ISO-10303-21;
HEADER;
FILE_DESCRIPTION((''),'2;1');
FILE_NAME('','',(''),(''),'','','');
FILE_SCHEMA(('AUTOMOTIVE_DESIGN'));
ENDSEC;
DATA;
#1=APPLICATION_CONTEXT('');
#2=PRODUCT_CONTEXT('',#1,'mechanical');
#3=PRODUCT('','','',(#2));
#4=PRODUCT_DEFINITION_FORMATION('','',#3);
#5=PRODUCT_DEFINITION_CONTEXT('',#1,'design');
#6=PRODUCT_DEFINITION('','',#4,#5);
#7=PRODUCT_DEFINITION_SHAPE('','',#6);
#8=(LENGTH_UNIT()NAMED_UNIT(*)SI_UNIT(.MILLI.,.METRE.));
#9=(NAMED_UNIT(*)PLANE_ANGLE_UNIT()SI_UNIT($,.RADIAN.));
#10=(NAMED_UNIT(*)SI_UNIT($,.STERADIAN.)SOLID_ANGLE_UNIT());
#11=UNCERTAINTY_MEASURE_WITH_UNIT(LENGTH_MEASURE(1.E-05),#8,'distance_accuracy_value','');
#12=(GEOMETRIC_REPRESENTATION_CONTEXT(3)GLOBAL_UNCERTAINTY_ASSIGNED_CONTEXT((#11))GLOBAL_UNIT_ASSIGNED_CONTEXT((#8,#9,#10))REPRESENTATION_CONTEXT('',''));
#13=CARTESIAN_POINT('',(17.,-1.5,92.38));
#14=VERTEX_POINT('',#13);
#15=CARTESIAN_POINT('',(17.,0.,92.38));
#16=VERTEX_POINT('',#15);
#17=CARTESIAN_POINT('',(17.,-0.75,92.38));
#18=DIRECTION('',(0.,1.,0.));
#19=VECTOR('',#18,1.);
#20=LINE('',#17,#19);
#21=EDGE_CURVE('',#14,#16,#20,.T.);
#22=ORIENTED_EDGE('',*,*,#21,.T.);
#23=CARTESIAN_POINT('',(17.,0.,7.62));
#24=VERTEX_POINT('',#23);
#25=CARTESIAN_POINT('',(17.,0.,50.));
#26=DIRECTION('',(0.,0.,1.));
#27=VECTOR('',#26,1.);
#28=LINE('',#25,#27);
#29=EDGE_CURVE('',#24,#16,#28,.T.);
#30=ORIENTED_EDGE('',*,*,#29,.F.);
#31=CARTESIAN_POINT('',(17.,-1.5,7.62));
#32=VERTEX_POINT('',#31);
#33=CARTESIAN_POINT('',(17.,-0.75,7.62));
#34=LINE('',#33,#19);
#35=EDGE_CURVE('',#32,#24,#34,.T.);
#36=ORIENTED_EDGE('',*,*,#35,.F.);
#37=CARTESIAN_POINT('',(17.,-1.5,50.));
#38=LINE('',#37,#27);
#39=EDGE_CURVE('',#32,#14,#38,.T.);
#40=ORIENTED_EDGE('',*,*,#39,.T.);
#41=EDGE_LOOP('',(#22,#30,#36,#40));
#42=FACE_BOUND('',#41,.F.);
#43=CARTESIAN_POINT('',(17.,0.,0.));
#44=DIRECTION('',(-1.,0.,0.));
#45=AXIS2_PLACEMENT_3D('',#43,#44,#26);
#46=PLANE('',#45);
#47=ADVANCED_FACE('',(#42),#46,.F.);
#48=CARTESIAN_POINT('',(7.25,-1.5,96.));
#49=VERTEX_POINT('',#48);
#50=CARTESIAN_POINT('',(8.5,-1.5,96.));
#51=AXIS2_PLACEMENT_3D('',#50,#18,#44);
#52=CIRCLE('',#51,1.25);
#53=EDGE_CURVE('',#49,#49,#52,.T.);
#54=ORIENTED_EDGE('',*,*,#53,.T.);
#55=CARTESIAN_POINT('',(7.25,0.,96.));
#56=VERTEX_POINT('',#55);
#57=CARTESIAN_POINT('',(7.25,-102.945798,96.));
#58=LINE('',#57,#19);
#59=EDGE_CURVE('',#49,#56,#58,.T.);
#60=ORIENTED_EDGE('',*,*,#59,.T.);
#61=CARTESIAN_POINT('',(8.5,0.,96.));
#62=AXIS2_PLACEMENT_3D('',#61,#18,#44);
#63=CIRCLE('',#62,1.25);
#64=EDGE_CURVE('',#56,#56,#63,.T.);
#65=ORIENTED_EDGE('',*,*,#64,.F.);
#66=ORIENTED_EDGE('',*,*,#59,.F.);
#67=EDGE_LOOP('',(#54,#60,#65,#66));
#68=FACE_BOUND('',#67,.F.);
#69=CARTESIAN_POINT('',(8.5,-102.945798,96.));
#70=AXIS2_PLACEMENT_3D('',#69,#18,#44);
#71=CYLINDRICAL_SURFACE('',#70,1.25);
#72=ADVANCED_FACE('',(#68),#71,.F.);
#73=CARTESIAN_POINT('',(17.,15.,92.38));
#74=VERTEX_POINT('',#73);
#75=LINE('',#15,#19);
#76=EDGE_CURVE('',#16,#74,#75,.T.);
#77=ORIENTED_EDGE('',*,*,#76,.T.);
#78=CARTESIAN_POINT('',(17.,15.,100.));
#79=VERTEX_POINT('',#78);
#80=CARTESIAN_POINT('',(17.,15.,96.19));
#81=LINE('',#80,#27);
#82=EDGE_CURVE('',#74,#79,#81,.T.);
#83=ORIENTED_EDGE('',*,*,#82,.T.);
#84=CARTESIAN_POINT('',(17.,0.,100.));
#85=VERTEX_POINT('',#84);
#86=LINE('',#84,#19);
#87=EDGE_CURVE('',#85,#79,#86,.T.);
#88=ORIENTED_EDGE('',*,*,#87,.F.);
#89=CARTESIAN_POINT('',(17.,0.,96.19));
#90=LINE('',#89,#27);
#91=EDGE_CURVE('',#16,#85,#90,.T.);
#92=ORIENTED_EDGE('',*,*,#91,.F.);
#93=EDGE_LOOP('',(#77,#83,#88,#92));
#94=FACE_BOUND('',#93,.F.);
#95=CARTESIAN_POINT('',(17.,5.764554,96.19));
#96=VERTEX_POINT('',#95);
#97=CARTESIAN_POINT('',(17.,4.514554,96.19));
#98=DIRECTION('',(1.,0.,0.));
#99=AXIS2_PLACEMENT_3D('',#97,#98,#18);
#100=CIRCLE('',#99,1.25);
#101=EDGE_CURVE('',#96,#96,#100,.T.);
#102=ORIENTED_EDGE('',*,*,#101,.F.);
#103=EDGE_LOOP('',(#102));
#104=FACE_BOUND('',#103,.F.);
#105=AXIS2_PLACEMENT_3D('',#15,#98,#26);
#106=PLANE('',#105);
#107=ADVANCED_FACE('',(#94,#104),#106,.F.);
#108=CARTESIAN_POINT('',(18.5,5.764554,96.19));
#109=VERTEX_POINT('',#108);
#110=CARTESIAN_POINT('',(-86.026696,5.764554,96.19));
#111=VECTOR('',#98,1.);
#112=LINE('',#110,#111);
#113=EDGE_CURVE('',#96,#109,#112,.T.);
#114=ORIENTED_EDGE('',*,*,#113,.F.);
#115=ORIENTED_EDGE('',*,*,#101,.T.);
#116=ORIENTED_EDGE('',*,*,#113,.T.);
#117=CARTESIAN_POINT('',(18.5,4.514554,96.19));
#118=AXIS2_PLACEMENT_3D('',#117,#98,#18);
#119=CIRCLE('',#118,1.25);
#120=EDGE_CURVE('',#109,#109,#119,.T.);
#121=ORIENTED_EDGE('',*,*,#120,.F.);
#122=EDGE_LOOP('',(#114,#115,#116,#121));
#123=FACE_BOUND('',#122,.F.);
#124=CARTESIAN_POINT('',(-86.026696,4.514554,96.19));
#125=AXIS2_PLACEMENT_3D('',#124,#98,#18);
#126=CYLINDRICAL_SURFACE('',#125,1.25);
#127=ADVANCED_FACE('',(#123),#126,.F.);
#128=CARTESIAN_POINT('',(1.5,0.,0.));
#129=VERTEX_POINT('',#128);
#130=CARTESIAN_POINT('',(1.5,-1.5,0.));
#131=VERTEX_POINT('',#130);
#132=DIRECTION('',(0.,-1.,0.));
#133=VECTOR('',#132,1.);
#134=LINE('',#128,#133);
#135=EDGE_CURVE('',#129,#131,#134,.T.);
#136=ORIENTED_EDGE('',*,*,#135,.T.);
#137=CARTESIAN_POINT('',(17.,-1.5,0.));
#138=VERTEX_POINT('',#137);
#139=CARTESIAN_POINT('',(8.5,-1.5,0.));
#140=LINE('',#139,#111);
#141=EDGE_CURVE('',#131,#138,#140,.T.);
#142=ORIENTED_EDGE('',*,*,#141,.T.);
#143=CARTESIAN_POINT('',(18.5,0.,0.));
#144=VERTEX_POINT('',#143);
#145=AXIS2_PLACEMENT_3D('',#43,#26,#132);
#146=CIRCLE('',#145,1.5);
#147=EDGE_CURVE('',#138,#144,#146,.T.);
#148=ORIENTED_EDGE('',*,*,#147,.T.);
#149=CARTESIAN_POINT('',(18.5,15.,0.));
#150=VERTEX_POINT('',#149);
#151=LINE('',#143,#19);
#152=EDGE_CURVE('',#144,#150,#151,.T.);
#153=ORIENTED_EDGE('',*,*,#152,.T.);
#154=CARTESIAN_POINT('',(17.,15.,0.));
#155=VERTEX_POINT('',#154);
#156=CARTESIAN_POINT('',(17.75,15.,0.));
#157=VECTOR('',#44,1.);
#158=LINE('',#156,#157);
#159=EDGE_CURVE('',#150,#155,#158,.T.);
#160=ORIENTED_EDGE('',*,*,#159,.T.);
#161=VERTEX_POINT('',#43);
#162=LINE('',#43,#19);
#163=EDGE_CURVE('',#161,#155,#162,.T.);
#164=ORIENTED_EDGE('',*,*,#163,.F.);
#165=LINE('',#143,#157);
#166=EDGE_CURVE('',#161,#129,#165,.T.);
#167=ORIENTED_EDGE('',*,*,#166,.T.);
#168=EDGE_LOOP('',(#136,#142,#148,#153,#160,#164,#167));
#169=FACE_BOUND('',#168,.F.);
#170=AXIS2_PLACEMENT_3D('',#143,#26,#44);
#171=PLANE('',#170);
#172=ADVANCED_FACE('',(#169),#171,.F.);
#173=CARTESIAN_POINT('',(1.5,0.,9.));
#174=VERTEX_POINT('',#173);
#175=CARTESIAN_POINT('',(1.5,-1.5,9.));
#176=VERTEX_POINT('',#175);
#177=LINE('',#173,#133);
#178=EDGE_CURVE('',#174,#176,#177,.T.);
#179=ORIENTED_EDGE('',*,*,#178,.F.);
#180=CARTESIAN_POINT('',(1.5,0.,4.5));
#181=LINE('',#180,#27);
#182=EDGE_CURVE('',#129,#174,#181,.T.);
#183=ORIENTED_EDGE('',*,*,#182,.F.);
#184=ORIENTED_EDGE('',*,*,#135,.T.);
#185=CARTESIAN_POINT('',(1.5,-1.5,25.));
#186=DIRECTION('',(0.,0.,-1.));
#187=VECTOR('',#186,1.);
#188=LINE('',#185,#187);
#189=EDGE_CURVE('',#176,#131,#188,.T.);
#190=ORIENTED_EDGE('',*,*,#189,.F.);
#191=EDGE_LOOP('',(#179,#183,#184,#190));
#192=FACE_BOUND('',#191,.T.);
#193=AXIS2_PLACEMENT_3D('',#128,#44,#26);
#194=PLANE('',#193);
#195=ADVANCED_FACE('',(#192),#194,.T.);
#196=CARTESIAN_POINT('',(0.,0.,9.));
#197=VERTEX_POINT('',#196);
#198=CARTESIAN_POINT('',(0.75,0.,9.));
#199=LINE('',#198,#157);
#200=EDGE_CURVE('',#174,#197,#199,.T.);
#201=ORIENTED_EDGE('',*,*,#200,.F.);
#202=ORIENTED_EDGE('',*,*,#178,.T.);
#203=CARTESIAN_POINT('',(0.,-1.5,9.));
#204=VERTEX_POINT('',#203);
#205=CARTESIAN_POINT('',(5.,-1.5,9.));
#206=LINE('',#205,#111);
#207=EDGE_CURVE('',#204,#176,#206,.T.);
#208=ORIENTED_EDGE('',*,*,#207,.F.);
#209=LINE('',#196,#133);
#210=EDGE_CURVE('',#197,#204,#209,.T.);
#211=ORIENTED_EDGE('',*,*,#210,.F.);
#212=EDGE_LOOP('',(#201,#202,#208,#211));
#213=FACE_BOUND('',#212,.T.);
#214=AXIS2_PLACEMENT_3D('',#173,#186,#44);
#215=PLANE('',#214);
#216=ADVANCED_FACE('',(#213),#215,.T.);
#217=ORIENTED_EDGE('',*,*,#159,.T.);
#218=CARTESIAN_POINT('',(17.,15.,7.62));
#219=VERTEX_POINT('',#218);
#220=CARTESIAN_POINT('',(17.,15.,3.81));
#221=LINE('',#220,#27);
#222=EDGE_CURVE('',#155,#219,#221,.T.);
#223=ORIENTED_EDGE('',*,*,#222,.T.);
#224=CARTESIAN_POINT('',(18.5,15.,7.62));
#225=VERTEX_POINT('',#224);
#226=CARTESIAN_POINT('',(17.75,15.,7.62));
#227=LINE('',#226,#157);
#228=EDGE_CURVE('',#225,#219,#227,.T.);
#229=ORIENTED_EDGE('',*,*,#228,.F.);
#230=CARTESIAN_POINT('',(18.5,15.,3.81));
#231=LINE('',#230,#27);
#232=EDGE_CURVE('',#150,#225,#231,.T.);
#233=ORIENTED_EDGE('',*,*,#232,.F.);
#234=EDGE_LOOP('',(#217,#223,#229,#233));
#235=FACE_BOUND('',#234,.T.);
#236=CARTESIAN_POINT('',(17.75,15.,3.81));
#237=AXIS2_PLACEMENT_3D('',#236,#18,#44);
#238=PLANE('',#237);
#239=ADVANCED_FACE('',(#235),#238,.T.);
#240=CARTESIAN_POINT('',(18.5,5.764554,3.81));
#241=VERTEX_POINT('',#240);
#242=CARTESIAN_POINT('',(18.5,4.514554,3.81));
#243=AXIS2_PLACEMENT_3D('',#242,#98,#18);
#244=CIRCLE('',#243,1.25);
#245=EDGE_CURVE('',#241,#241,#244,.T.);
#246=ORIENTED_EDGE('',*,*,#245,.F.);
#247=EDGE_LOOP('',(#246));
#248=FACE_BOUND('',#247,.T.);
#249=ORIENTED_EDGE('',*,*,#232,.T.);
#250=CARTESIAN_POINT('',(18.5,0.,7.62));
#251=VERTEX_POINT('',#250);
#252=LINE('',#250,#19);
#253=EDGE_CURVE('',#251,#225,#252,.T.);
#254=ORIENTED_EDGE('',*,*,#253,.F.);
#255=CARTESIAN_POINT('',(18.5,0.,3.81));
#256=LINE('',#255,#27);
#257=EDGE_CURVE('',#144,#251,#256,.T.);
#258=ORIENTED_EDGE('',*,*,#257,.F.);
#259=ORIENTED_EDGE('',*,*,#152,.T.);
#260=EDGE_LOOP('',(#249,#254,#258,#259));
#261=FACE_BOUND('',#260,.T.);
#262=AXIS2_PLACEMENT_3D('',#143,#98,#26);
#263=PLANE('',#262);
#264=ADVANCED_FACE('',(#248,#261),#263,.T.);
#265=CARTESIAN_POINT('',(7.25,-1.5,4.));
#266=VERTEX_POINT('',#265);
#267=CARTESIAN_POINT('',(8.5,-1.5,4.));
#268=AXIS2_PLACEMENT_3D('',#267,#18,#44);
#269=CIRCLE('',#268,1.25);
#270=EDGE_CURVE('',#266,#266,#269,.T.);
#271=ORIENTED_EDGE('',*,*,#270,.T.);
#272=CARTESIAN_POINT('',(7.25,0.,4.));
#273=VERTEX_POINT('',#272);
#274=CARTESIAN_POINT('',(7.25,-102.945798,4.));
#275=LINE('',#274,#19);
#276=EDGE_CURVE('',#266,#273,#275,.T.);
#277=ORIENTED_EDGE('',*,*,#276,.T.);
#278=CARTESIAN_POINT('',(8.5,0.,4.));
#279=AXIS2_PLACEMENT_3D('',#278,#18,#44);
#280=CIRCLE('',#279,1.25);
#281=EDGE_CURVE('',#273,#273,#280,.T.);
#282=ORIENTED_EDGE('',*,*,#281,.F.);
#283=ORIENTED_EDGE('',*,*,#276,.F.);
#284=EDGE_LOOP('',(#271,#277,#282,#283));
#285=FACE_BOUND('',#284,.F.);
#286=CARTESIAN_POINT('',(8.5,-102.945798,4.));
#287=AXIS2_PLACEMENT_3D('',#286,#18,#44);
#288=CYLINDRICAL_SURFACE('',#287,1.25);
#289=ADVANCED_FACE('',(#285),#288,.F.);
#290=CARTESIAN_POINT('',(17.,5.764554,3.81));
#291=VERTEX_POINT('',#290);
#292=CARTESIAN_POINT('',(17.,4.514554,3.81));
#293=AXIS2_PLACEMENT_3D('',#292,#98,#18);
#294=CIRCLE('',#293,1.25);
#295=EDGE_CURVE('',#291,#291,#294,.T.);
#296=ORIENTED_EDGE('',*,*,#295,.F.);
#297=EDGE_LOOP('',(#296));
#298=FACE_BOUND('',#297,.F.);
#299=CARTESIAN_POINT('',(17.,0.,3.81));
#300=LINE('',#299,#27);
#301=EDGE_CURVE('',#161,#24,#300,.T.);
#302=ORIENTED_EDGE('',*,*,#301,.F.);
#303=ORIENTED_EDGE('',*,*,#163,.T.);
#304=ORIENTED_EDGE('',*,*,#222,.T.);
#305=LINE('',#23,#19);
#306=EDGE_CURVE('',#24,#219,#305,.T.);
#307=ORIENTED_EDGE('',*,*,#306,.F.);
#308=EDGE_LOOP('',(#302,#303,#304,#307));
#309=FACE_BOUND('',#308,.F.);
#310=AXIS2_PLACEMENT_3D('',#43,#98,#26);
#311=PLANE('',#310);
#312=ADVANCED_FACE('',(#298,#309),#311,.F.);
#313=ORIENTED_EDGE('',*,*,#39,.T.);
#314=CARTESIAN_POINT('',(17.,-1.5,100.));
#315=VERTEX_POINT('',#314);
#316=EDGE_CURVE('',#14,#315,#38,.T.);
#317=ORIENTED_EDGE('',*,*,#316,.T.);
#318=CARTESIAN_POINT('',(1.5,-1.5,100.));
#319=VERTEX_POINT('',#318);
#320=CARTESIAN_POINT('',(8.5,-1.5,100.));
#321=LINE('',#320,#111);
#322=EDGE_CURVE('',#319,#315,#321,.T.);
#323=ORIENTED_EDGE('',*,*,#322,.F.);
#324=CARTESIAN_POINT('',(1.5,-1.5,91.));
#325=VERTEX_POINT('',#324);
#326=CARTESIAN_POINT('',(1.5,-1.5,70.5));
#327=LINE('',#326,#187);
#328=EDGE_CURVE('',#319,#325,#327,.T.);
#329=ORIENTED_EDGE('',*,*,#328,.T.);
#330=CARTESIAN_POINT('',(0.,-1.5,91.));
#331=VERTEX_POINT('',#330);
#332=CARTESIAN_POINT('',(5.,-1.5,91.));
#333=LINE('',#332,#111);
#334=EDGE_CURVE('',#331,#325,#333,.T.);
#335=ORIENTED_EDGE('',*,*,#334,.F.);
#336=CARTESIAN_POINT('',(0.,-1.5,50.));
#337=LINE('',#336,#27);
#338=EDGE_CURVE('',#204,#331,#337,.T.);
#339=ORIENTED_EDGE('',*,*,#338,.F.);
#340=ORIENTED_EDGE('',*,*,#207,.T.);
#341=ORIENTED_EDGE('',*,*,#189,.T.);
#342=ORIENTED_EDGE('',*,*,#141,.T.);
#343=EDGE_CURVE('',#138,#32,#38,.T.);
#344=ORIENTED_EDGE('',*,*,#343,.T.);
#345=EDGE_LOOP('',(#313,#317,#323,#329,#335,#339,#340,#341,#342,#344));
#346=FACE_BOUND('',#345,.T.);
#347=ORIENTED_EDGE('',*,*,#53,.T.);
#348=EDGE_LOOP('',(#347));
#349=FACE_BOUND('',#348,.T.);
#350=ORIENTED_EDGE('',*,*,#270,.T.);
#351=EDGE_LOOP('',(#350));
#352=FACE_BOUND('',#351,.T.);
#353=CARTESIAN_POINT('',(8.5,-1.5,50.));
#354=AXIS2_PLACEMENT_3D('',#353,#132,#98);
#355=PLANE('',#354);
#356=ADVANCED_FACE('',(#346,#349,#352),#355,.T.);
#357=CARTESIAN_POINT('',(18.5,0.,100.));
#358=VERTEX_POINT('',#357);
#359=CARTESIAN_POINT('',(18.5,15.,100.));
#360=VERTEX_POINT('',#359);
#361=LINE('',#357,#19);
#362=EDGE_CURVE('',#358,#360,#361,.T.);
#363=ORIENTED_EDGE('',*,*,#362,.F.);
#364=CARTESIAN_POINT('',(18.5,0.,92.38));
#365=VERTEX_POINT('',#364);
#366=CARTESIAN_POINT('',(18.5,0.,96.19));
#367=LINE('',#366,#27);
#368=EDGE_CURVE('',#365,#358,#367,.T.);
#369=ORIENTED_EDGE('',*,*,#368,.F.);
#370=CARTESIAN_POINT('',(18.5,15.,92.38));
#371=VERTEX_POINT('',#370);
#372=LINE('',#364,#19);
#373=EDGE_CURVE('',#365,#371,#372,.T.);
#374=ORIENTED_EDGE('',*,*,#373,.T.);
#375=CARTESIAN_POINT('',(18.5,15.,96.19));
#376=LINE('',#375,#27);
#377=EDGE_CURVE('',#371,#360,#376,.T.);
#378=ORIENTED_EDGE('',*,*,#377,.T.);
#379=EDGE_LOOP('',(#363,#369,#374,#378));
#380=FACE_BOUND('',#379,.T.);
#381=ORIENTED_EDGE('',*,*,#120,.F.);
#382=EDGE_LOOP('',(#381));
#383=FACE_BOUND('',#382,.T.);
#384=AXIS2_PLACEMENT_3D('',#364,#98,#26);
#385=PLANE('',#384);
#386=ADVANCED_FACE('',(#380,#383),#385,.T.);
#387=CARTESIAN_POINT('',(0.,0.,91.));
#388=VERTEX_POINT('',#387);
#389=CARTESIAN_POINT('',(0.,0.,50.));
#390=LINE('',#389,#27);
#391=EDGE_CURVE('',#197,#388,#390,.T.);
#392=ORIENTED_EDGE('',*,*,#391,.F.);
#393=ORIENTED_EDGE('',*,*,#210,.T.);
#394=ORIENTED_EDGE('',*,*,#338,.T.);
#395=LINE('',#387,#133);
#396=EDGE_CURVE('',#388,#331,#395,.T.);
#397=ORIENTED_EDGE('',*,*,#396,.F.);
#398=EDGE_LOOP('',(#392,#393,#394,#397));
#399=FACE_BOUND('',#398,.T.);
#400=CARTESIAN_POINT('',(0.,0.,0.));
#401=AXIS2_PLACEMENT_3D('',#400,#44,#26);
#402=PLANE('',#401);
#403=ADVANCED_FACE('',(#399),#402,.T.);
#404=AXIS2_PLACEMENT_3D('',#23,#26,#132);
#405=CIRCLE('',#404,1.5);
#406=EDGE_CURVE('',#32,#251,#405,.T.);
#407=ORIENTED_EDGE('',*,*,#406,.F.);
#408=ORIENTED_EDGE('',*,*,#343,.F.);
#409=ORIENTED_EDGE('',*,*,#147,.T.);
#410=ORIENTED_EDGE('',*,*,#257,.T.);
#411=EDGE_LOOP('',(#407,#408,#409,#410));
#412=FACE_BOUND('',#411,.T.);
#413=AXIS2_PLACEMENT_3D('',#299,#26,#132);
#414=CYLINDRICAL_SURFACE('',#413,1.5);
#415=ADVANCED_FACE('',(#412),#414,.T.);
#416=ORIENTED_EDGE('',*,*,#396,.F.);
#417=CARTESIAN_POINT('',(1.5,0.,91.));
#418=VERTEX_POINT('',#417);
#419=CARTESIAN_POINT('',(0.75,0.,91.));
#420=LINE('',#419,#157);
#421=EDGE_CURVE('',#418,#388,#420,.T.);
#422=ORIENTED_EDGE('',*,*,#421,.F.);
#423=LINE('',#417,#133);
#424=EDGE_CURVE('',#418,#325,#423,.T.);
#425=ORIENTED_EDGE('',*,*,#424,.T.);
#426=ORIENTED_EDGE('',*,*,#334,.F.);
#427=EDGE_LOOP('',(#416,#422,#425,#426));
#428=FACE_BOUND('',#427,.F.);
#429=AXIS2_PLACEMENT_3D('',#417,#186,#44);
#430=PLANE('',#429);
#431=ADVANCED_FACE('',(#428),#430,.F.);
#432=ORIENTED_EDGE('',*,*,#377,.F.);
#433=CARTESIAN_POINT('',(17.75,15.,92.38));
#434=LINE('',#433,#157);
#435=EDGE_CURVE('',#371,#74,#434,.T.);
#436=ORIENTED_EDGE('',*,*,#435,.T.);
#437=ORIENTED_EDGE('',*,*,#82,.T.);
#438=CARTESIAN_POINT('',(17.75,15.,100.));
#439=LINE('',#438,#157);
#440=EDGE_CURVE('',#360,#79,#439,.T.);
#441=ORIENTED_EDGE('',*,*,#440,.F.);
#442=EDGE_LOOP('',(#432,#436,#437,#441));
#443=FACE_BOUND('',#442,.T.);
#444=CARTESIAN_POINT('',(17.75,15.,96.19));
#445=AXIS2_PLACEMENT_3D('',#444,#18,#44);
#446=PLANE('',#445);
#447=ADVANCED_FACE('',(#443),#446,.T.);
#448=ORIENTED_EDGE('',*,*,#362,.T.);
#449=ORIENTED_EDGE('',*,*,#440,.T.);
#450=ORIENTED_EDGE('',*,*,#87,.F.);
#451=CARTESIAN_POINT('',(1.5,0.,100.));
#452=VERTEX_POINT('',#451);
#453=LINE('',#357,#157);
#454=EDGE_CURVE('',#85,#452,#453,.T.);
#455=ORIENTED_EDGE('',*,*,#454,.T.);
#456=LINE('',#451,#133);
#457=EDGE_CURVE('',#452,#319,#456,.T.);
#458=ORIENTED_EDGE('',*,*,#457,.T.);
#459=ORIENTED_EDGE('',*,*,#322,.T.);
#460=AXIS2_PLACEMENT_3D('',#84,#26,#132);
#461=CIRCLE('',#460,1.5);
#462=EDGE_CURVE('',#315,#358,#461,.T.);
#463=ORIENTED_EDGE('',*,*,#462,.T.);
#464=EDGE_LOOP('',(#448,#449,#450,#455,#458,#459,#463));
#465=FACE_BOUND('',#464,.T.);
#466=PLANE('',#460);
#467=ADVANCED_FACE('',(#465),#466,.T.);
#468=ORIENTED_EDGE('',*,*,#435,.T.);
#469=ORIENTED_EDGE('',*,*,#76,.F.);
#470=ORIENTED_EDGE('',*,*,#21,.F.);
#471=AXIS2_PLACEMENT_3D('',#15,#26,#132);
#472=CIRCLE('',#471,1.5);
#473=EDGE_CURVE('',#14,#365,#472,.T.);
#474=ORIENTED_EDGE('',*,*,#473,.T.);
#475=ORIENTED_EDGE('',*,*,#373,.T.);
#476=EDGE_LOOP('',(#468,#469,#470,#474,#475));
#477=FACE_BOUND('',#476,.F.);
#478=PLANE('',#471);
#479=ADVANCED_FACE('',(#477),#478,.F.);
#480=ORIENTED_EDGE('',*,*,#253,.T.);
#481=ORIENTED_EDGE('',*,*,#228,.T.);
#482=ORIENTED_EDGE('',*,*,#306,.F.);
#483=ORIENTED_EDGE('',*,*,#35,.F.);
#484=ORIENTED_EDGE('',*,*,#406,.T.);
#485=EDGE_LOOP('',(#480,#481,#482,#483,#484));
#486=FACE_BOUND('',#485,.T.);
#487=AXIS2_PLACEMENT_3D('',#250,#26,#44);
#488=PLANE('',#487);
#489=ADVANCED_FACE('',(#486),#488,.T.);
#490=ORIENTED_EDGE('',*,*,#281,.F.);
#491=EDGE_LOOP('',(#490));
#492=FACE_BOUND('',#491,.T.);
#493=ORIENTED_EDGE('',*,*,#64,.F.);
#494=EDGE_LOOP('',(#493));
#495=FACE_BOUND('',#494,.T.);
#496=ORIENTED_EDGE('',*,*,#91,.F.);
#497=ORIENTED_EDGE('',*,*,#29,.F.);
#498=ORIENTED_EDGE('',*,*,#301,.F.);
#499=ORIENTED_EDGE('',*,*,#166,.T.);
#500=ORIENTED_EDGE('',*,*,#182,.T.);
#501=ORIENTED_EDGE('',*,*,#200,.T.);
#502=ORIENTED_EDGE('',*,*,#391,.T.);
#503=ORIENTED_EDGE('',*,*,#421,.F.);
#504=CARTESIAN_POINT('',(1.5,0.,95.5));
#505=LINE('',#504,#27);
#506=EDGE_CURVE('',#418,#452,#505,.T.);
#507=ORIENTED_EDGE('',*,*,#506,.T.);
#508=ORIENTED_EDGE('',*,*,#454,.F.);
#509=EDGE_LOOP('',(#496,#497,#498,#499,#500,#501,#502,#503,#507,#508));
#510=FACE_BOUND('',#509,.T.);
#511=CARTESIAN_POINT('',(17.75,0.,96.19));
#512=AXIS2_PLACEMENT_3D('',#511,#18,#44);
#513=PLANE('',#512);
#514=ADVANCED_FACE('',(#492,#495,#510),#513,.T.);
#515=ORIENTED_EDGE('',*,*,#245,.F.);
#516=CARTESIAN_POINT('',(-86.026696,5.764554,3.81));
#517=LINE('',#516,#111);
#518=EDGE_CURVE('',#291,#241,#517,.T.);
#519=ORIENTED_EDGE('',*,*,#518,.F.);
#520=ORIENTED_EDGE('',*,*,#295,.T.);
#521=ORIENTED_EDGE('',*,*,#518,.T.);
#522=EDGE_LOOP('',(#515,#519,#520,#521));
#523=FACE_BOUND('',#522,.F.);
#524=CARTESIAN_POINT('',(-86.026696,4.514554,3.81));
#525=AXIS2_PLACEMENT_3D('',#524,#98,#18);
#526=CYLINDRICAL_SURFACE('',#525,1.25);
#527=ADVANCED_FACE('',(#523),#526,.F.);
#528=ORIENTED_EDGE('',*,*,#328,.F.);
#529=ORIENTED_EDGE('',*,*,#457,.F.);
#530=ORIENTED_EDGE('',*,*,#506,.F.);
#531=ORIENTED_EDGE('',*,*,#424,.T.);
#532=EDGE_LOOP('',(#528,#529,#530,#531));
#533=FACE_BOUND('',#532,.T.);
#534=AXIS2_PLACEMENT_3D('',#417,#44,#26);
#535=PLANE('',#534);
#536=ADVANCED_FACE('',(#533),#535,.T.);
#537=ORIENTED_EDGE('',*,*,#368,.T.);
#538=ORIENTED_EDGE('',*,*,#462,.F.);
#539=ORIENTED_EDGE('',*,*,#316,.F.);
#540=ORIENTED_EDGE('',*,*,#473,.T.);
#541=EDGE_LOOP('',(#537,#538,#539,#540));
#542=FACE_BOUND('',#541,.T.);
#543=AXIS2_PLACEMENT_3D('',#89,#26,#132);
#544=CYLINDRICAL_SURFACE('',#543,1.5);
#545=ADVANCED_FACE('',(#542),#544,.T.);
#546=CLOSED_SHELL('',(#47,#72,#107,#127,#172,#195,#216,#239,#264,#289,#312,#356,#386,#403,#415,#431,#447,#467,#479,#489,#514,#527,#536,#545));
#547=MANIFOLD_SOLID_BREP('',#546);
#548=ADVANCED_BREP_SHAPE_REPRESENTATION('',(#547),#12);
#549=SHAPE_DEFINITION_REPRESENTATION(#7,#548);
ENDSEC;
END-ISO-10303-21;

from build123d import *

# Parameters (mm, degrees)
F0_W      = 17
F0_H      = 100
F1_DEPTH  = 1.5
F3_D      = 2.5
F4_W      = 1.5
F4_H      = 7.62
F5_ANGLE  = 90
F6_W      = 1.5
F6_H      = 7.62
F7_DEPTH  = 15
F9_D      = 2.5
F10_W     = 1.5
F10_H     = 9
F11_DEPTH = 1.501


with BuildPart() as f1:
    # F0 (on Front) → F1 (new body)
    with BuildSketch(Plane.XZ):
        with Locations((8.5, 50)):
            Rectangle(F0_W, F0_H)
    extrude(amount=F1_DEPTH)

    # F3 (through all)
    with Locations(Plane.XZ.offset(1.5)):
        with Locations((8.5, 96), (8.5, 4)):
            Hole(F3_D / 2)

    # F4 (on face) → F5 (revolve)
    with BuildSketch(Plane.YZ.offset(17)):
        with Locations((-0.75, 96.19)):
            Rectangle(F4_W, F4_H)
        with Locations((-0.75, 3.81)):
            Rectangle(F4_W, F4_H)
    revolve(axis=Axis((17, 0, 50), (0, 0, 1)), revolution_arc=F5_ANGLE)

    # F6 (on face) → F7 (join)
    with BuildSketch(Plane(origin=(0, 0, 0), x_dir=(-1, 0, 0), z_dir=(0, 1, 0))):
        with Locations((-17.75, 3.81)):
            Rectangle(F6_W, F6_H)
        with Locations((-17.75, 96.19)):
            Rectangle(F6_W, F6_H)
    extrude(amount=F7_DEPTH)

    # F9 (through all)
    with Locations(Plane(origin=(17, 0, 0), x_dir=(0, -1, 0), z_dir=(-1, 0, 0))):
        with Locations((-4.5145543722, 96.19), (-4.5145543722, 3.81)):
            Hole(F9_D / 2)

    # F10 (on face) → F11 (cut, through all)
    with BuildSketch(Plane(origin=(0, 0, 0), x_dir=(-1, 0, 0), z_dir=(0, 1, 0))):
        with Locations((-0.75, 95.5)):
            Rectangle(F10_W, F10_H)
        with Locations((-0.75, 4.5)):
            Rectangle(F10_W, F10_H)
    extrude(amount=-F11_DEPTH, mode=Mode.SUBTRACT)


solid = f1.part
